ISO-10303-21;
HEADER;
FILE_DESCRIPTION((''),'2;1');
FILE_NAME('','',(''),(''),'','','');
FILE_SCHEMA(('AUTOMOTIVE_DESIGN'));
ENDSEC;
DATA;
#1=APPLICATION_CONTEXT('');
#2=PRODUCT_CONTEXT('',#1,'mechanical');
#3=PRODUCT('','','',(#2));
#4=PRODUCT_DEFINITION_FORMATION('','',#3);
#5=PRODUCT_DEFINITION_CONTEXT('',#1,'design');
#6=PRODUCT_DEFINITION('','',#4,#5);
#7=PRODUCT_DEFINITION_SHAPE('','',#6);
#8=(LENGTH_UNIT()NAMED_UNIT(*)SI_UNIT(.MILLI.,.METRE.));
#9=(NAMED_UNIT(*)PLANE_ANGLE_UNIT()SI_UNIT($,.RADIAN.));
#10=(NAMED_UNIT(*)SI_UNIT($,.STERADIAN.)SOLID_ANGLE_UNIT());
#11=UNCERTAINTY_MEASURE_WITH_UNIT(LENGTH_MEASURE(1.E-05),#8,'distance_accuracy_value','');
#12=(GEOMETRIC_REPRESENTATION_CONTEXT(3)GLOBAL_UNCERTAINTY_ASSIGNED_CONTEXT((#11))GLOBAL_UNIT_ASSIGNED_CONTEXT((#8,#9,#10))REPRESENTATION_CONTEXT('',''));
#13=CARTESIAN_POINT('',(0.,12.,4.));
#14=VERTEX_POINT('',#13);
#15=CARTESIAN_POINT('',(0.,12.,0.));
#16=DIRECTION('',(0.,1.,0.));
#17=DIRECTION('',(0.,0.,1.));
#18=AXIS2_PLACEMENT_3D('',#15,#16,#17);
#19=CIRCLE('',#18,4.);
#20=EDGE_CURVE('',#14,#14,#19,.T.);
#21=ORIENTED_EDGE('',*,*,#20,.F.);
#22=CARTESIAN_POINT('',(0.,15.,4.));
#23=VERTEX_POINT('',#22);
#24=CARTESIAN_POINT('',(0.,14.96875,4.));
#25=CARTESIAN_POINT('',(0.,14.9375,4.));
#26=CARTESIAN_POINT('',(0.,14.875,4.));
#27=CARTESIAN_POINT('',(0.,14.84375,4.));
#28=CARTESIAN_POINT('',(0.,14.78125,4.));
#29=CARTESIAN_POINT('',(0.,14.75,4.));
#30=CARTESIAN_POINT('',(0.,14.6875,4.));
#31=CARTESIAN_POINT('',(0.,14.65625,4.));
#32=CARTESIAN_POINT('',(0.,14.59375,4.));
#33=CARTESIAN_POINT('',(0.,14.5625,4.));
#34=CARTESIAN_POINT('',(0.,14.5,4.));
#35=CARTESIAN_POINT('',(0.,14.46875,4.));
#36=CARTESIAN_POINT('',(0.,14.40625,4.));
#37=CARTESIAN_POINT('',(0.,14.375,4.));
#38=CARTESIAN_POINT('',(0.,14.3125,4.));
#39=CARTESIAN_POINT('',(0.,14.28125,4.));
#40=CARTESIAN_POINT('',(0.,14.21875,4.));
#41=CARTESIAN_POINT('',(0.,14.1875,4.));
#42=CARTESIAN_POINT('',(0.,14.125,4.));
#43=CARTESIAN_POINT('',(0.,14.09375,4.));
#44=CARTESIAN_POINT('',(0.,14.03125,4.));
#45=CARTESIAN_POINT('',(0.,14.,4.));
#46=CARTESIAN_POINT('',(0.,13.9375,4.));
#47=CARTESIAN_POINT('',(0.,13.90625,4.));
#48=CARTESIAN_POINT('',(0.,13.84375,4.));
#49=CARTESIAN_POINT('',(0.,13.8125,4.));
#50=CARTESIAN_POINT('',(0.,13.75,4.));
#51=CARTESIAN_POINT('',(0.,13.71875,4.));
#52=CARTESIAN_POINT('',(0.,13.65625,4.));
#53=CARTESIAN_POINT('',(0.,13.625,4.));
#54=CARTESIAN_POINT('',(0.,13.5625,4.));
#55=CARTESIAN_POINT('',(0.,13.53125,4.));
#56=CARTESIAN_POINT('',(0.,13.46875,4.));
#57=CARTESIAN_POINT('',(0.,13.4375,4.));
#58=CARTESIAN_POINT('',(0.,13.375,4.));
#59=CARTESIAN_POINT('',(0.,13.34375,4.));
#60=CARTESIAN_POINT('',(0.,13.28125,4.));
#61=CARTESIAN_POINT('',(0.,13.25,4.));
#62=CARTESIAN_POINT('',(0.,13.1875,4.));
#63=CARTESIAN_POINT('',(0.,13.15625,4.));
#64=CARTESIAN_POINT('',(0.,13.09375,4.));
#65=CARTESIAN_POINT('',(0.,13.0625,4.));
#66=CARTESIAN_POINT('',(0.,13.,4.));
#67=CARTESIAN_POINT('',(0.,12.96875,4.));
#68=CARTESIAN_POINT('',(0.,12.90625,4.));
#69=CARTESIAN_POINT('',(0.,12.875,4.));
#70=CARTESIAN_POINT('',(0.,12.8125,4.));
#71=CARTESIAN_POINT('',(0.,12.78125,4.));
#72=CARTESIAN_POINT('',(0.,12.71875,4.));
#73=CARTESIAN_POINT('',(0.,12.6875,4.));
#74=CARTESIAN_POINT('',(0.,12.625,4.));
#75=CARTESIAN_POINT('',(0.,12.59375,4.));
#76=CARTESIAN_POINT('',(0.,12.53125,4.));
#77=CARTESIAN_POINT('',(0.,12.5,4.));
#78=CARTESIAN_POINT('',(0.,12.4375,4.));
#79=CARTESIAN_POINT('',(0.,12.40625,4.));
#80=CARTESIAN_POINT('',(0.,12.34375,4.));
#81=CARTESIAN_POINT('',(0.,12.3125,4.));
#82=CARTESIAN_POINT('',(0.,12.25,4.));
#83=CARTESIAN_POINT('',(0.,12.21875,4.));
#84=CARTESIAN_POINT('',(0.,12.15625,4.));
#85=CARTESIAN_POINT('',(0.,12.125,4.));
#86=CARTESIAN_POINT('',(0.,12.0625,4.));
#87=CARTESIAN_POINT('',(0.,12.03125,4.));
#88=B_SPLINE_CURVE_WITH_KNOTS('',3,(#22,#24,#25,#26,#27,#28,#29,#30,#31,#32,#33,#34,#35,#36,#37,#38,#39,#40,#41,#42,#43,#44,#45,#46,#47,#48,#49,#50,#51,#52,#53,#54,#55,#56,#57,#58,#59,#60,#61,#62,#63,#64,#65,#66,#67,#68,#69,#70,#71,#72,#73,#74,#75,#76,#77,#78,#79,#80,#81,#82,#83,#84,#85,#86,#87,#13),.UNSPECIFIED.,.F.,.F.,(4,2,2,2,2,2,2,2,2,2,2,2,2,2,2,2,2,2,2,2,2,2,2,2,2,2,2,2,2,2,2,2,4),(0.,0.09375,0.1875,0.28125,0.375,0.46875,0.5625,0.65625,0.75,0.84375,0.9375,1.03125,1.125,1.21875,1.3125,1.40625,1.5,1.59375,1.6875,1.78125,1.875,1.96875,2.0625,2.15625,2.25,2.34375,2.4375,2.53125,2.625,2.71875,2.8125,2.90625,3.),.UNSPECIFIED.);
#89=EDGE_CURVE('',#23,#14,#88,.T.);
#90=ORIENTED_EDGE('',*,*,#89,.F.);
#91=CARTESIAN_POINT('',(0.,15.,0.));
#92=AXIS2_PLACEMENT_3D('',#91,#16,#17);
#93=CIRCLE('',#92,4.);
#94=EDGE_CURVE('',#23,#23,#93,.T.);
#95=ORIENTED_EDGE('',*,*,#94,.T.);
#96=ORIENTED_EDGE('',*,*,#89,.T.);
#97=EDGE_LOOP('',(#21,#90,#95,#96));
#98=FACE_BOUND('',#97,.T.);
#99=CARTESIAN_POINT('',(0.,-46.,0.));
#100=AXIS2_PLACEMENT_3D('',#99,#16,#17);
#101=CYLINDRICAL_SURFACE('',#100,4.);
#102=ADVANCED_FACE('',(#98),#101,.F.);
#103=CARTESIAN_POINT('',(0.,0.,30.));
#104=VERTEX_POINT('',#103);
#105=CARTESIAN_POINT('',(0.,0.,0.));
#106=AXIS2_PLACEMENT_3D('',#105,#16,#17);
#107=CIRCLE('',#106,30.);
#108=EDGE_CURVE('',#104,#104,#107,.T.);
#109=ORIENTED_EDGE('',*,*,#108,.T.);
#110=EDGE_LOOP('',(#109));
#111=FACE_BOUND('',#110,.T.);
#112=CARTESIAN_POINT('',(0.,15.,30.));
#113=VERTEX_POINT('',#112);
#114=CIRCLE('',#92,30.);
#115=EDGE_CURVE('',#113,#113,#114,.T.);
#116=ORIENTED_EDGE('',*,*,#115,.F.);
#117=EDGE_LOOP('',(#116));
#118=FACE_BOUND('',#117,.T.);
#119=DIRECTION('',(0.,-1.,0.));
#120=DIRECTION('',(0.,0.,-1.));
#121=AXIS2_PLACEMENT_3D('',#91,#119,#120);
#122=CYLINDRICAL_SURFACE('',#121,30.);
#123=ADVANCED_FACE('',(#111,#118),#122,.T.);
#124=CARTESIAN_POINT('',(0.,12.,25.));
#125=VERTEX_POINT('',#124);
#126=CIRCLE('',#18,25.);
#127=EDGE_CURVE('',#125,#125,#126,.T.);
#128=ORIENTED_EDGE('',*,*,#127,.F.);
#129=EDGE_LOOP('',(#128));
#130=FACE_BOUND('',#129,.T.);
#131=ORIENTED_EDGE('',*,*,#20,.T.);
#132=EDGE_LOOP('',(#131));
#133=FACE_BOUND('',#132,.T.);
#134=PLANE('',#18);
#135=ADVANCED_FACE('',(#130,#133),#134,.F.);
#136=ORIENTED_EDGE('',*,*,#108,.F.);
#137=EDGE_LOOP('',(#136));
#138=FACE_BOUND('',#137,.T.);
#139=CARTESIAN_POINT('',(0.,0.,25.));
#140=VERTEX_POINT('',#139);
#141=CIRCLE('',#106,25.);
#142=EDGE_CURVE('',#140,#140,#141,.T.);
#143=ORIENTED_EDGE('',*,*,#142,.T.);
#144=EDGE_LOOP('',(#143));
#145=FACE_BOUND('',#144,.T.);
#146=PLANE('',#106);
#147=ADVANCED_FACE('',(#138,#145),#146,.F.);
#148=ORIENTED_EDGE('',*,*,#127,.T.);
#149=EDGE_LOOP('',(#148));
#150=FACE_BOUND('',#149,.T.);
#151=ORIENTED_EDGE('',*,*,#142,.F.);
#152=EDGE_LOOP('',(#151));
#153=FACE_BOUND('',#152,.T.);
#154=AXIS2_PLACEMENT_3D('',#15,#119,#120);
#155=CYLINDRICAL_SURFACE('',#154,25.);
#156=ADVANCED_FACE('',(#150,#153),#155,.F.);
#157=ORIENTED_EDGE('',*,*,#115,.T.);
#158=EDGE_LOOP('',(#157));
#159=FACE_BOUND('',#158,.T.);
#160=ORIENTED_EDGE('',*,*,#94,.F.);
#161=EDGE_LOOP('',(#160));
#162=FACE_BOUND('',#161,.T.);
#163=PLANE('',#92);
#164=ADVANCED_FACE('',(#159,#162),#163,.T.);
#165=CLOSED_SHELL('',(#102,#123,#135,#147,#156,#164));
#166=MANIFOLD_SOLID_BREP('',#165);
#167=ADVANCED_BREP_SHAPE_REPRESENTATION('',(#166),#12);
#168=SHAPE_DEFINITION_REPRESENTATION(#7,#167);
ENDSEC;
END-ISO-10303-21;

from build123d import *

# Parameters (mm, degrees)
SKETCH_1_R          = 30
EXTRUDE_1_DEPTH     = 15
SKETCH_2_R          = 25
CUT_EXTRUDE_1_DEPTH = 12
SKETCH_3_R          = 4
CUT_EXTRUDE_2_DEPTH = 61


with BuildPart() as part:
    # 草图1 → 凸台-拉伸1 (new body)
    with BuildSketch(Plane(origin=(0, 0, 0), x_dir=(1, 0, 0), z_dir=(0, 1, 0))):
        with Locations(Location((0, 0, 0), (0, 0, 270))):
            Circle(SKETCH_1_R)
    extrude(amount=EXTRUDE_1_DEPTH)

    # 草图2 → 切除-拉伸1 (cut)
    with BuildSketch(Plane(origin=(0, 0, 0), x_dir=(1, 0, 0), z_dir=(0, 1, 0))):
        with Locations(Location((0, 0, 0), (0, 0, 270))):
            Circle(SKETCH_2_R)
    extrude(amount=CUT_EXTRUDE_1_DEPTH, mode=Mode.SUBTRACT)

    # 草图3 → 切除-拉伸2 (cut, symmetric)
    with BuildSketch(Plane(origin=(0, 15, 0), x_dir=(1, 0, 0), z_dir=(0, 1, 0))):
        with Locations(Location((0, 0, 0), (0, 0, 270))):
            Circle(SKETCH_3_R)
    extrude(amount=CUT_EXTRUDE_2_DEPTH, both=True, mode=Mode.SUBTRACT)


solid = part.part
